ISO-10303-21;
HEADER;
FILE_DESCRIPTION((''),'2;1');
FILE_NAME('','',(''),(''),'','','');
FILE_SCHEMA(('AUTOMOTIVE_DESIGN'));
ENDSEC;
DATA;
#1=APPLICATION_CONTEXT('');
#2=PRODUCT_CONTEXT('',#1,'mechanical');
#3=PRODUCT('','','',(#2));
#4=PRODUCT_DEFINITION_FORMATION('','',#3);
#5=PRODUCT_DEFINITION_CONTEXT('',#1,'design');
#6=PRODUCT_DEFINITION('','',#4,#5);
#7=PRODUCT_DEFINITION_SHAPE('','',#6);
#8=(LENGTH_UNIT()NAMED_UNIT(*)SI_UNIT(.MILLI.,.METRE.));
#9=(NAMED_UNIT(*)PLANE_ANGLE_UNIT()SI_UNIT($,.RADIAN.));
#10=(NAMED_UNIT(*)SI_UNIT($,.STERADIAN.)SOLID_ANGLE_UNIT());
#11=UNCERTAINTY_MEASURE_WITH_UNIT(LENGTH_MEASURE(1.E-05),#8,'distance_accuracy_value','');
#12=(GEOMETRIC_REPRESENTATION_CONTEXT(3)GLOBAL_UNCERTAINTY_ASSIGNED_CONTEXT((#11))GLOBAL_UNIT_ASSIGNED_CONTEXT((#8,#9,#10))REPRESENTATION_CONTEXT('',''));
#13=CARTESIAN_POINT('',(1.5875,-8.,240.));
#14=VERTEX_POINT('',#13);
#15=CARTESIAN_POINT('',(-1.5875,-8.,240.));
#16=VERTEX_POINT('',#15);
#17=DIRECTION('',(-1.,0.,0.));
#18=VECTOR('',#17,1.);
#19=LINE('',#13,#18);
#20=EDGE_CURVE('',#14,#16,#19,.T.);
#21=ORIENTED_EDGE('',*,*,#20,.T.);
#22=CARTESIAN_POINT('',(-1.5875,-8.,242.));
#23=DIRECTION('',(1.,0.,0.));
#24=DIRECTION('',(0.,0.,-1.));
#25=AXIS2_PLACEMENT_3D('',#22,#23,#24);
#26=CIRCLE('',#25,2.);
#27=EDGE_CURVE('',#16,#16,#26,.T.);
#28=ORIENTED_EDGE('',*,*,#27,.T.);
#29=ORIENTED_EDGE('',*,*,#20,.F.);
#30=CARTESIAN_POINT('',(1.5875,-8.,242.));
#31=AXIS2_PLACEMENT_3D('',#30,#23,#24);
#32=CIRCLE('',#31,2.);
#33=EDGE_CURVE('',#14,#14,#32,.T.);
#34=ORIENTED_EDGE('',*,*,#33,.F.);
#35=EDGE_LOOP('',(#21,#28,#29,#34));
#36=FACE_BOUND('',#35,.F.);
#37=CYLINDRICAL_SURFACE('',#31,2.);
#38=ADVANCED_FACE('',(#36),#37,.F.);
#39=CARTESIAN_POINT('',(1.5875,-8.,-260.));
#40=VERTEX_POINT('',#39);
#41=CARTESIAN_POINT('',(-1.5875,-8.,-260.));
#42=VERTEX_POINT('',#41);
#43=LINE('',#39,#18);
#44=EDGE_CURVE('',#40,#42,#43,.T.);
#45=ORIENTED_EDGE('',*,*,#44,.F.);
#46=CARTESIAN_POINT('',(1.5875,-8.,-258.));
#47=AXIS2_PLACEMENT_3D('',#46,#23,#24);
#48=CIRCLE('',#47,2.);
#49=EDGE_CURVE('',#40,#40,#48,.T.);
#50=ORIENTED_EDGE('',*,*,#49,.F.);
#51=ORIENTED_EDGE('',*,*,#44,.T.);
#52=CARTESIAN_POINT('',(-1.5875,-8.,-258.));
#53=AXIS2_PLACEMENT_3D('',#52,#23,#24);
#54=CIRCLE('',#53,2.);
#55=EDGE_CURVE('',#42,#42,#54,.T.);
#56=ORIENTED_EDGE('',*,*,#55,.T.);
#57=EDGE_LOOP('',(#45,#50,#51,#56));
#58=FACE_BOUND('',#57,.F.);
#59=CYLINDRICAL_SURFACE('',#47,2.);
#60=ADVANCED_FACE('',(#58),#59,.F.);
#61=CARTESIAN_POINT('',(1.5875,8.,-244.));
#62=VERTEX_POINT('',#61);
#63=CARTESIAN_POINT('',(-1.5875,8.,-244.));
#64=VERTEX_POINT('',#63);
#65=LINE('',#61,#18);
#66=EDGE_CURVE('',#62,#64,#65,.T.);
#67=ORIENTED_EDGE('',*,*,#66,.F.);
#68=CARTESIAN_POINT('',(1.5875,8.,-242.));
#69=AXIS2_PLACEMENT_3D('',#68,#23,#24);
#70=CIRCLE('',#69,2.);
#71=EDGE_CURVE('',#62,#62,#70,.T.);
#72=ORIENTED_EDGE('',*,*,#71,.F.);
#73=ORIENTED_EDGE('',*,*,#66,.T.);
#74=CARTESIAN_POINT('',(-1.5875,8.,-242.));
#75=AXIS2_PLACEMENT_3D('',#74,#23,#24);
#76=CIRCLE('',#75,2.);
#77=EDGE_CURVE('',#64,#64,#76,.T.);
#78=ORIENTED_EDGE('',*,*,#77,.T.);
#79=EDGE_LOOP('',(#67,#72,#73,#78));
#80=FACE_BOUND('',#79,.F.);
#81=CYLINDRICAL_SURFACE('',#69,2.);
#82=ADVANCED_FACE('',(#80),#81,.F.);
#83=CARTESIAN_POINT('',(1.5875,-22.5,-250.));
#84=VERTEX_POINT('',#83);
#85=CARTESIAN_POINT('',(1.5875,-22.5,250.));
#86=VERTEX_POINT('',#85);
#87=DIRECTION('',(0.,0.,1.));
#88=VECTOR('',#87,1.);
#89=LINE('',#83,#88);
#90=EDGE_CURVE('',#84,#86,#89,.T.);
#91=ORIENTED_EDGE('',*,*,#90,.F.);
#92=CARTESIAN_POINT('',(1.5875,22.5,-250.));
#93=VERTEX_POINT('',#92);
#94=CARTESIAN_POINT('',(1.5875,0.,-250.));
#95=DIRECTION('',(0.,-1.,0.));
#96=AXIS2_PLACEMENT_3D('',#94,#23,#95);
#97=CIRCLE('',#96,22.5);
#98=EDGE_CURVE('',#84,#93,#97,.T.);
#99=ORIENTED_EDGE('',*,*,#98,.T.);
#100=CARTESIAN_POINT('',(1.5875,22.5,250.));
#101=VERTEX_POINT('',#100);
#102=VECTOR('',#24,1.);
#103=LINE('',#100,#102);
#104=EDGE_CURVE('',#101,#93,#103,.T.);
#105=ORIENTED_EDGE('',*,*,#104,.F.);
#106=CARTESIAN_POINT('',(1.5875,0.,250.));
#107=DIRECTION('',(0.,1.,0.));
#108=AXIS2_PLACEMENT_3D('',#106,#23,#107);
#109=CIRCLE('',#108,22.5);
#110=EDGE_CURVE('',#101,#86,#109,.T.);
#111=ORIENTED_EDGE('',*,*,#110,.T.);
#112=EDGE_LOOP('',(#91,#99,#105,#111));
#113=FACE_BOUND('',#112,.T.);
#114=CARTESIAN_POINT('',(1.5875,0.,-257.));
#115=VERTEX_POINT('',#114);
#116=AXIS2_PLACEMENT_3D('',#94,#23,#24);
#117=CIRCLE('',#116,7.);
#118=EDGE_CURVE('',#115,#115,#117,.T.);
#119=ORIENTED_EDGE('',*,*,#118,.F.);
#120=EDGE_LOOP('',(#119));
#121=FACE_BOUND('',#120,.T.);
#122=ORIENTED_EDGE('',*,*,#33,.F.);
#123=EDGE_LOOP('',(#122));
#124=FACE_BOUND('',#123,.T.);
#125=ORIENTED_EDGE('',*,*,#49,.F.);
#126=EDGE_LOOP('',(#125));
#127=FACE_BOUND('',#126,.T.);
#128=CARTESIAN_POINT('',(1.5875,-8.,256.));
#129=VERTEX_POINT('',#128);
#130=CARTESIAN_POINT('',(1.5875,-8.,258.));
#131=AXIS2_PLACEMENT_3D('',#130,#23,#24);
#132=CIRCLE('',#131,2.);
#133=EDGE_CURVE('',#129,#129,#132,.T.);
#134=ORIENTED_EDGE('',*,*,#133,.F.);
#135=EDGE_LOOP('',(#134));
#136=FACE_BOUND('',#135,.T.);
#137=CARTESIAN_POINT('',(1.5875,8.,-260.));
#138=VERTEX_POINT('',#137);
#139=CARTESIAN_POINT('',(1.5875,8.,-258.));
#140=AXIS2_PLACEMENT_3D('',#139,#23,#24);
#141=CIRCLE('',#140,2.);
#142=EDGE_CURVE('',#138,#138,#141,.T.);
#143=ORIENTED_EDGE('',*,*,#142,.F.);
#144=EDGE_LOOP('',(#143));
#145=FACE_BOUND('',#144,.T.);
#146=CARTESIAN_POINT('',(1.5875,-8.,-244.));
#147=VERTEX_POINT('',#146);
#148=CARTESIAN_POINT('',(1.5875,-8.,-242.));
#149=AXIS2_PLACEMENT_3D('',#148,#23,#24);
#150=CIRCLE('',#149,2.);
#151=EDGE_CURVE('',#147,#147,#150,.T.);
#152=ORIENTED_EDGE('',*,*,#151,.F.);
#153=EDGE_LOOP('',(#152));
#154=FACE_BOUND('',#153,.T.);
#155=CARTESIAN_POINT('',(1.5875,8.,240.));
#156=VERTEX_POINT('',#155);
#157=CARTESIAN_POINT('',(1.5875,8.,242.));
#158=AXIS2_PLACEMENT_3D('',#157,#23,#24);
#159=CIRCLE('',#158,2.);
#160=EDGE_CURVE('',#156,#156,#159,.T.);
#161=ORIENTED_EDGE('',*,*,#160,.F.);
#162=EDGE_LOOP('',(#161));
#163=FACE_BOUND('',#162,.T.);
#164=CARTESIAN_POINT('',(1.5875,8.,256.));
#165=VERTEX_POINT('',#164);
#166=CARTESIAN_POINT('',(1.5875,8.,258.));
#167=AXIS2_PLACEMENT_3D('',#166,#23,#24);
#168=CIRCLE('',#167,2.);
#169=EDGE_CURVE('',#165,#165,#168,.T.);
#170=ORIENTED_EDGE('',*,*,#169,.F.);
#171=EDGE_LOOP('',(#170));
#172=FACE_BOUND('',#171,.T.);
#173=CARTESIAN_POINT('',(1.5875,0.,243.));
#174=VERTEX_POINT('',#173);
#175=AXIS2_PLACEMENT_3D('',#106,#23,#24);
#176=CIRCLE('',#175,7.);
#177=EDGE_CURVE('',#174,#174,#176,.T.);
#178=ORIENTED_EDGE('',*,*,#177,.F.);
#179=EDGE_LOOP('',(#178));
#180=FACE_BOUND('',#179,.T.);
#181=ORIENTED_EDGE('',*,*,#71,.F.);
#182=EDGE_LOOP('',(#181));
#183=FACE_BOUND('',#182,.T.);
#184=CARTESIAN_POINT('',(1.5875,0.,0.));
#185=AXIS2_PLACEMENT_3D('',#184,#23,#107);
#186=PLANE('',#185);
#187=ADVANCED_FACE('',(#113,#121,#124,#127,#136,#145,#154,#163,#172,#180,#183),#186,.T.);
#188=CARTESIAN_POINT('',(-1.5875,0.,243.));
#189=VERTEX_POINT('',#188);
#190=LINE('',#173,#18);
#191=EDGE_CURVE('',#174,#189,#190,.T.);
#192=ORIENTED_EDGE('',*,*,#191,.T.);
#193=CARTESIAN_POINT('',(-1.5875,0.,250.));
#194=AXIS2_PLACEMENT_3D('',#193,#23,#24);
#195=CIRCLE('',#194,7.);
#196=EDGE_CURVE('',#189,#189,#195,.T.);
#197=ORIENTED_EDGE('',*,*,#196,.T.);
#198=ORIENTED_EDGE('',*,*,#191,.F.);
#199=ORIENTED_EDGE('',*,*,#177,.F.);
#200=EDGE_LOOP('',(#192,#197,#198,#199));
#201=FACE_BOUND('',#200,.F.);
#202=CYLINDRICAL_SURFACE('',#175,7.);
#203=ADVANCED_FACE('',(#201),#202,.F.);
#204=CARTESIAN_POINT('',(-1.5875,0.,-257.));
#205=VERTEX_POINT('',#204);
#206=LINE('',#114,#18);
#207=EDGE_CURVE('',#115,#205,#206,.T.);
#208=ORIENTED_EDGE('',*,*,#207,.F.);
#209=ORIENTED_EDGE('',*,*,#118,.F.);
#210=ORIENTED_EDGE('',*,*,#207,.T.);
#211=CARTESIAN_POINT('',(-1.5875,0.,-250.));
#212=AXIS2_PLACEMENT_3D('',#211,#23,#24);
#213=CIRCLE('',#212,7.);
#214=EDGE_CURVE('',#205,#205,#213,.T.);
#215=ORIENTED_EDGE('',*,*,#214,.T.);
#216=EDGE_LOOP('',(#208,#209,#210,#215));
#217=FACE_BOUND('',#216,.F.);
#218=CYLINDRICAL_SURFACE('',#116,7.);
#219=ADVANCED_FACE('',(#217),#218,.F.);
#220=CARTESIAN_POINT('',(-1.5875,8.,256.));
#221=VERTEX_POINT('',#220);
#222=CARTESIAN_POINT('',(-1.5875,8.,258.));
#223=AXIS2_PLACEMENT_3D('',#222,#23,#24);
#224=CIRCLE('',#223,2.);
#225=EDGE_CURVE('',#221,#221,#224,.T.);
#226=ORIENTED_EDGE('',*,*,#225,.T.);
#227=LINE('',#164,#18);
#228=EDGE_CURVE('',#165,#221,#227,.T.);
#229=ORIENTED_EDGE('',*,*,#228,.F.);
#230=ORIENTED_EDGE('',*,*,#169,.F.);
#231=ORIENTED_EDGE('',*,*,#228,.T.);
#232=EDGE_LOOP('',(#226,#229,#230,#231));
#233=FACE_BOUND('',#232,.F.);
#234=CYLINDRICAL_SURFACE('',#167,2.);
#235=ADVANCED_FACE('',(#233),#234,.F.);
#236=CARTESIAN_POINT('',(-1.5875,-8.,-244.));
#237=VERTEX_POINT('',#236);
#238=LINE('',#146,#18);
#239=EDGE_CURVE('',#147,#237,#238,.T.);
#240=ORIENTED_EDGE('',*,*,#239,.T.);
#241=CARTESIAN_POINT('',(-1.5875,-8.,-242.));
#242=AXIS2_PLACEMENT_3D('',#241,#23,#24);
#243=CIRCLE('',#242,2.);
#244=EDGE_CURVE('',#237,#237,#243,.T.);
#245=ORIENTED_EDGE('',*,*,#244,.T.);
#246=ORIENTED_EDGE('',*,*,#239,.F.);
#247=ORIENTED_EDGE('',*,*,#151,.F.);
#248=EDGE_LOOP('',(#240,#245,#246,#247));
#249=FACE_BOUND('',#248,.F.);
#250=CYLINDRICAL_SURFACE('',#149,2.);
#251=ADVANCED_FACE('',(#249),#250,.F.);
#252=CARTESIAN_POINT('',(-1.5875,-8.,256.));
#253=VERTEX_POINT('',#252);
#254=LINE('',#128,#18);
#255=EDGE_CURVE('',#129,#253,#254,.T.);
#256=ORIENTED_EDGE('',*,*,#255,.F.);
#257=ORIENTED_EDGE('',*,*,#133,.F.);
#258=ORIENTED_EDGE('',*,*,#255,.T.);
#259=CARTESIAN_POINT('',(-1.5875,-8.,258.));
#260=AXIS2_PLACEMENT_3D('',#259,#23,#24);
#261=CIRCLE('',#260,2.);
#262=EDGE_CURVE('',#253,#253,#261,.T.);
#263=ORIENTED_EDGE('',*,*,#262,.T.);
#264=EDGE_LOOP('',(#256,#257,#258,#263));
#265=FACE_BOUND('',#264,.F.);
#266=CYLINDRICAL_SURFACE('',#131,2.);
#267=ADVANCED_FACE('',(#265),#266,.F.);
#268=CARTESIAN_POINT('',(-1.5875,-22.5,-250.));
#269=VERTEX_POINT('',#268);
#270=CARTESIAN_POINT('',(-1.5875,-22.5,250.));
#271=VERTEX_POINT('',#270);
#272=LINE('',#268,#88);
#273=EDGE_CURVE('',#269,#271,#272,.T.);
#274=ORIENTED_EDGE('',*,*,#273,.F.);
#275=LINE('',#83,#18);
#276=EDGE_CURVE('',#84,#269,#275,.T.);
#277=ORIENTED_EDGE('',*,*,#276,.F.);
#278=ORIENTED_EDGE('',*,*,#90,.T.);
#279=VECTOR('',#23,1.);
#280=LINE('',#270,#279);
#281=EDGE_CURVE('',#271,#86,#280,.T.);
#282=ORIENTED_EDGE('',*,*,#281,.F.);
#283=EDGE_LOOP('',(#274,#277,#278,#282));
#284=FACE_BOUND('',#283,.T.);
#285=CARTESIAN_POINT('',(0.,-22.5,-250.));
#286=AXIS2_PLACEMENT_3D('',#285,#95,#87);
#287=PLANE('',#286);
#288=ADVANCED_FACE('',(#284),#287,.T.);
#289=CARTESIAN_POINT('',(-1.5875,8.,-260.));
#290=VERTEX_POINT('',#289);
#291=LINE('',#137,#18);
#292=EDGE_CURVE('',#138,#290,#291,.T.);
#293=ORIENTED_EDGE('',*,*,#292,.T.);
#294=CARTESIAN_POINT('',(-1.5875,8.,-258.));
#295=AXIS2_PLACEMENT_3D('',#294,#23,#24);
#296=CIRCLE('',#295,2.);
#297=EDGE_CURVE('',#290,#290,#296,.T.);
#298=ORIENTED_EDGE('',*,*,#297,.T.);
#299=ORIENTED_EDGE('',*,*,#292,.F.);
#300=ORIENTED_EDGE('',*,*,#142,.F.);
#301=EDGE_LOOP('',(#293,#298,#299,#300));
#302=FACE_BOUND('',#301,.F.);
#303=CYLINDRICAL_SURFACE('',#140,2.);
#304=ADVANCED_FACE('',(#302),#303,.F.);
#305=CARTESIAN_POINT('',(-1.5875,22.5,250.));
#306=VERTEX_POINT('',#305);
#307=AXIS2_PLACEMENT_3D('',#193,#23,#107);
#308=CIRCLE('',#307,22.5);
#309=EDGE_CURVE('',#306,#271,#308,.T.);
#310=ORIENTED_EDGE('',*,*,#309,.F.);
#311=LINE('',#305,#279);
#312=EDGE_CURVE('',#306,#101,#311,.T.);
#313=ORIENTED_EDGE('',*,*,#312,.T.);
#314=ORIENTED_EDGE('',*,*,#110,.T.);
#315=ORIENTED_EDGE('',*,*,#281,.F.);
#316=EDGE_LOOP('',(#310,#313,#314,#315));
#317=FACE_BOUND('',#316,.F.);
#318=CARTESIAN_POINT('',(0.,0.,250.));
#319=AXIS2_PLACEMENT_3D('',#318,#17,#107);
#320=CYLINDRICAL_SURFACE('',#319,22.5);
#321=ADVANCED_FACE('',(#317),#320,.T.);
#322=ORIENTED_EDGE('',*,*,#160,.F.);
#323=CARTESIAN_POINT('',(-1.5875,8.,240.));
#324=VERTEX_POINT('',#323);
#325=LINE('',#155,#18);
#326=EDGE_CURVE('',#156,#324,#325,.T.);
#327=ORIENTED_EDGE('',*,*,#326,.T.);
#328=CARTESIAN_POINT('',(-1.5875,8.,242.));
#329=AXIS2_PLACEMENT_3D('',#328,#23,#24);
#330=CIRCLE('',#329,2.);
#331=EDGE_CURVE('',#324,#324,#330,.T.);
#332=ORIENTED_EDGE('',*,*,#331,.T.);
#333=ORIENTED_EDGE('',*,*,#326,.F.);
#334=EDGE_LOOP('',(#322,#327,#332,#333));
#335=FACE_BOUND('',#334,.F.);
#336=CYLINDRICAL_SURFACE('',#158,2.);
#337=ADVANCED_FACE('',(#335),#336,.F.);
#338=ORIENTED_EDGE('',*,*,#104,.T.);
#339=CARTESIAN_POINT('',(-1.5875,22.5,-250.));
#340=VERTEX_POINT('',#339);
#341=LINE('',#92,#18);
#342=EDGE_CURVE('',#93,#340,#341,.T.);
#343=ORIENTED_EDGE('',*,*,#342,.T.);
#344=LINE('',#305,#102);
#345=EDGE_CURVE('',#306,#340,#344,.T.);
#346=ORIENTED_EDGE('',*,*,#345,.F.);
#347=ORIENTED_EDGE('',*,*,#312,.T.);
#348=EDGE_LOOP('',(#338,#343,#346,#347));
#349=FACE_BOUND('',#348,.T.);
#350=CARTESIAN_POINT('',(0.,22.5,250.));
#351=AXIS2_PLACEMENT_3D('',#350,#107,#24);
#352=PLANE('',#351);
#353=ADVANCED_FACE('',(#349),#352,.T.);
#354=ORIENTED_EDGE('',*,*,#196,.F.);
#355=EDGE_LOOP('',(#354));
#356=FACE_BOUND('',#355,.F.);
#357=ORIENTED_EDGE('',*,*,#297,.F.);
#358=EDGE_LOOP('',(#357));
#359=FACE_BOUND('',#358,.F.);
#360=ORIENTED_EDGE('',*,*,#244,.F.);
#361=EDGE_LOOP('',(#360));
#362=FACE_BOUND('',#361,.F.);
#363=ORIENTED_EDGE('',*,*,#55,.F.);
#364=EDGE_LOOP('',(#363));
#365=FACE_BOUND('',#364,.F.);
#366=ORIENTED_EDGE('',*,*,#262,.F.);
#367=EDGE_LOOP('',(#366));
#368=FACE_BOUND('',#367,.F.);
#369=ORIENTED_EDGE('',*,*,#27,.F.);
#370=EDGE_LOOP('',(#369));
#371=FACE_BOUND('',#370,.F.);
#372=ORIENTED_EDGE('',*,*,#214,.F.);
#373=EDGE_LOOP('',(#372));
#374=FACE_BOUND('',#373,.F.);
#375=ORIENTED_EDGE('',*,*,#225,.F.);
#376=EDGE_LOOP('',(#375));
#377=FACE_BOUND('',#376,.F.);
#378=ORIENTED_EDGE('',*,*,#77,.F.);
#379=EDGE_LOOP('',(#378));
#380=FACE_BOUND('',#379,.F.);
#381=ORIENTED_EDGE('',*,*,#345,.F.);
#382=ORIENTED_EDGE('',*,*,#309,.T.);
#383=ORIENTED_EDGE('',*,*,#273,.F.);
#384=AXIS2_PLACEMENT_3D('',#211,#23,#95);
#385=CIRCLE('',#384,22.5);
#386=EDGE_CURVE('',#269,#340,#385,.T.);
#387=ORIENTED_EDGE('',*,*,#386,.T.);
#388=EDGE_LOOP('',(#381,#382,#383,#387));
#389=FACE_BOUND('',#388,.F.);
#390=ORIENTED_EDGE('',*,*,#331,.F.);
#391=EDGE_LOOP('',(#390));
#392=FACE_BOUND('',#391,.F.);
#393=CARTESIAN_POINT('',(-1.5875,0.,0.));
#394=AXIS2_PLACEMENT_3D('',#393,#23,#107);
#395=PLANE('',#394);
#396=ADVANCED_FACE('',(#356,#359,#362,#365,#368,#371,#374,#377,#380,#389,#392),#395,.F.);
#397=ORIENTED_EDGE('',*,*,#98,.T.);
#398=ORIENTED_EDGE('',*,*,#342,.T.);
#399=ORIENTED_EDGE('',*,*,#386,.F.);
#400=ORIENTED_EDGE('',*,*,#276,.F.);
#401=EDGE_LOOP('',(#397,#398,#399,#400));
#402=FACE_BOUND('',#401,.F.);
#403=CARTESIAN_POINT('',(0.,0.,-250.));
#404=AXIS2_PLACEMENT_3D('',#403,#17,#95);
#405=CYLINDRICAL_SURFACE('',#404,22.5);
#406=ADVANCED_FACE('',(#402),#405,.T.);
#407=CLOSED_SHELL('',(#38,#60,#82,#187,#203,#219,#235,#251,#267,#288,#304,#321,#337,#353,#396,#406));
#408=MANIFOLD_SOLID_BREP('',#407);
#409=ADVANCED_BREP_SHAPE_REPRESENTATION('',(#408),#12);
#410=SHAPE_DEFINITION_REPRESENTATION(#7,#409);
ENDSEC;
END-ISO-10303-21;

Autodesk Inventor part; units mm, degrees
ref_plane "YZ Plane" through (0, 0, 0) normal (1, 0, 0) x (0, 1, 0)
ref_plane "XZ Plane" through (0, 0, 0) normal (0, 1, 0) x (-1, 0, 0)
ref_plane "XY Plane" through (0, 0, 0) normal (0, 0, 1) x (1, 0, 0)
sketch "Sketch1" plane through (0, 0, 0) normal (1, 0, 0) x (0, 1, 0)
  line L0 (-22.5, 250) -> (22.5, 250) construction
  line L1 (22.5, 250) -> (22.5, -250)
  line L2 (22.5, -250) -> (-22.5, -250) construction
  line L3 (-22.5, -250) -> (-22.5, 250)
  line L4 (-22.5, 250) -> (22.5, -250) construction
  line L5 (22.5, 250) -> (-22.5, -250) construction
  arc A0 (-22.5, -250) -> (22.5, -250) centre (0, -250) ccw
  arc A1 (22.5, 250) -> (-22.5, 250) centre (0, 250) ccw
  point P0 (0, 0)
  dimension "d0" = 45
  dimension "d1" = 500
extrude "Extrusion2" add sketch "Sketch1" along normal mid plane 3.175
sketch "Sketch3" plane through (1.5875, 0, 0) normal (1, 0, 0) x (0, 0, -1)
  line L0 (250, 22.5) -> (-250, 22.5) construction
  arc A0 (-250, 22.5) -> (-250, -22.5) centre (-250, 0) ccw construction
  line L1 (-250, -22.5) -> (250, -22.5) construction
  arc A1 (250, -22.5) -> (250, 22.5) centre (250, 0) ccw construction
  circle A2 centre (-250, 0) radius 7
  circle A3 centre (-258, 8) radius 2
  circle A4 centre (-258, -8) radius 2
  circle A5 centre (-242, -8) radius 2
  circle A6 centre (-242, 8) radius 2
  line L2 (0, 22.5) -> (0, -22.5) construction
  circle A7 centre (250, 0) radius 7
  circle A8 centre (258, 8) radius 2
  circle A9 centre (258, -8) radius 2
  circle A10 centre (242, -8) radius 2
  circle A11 centre (242, 8) radius 2
  point P0 (0, 0)
  dimension "d14" = 14
  dimension "d15" = 4
  dimension "d16" = 8
  dimension "d17" = 8
  dimension "d20" = 360
extrude "Extrusion3" cut sketch "Sketch3" against normal through all
properties part number "ArmBarStage1"
